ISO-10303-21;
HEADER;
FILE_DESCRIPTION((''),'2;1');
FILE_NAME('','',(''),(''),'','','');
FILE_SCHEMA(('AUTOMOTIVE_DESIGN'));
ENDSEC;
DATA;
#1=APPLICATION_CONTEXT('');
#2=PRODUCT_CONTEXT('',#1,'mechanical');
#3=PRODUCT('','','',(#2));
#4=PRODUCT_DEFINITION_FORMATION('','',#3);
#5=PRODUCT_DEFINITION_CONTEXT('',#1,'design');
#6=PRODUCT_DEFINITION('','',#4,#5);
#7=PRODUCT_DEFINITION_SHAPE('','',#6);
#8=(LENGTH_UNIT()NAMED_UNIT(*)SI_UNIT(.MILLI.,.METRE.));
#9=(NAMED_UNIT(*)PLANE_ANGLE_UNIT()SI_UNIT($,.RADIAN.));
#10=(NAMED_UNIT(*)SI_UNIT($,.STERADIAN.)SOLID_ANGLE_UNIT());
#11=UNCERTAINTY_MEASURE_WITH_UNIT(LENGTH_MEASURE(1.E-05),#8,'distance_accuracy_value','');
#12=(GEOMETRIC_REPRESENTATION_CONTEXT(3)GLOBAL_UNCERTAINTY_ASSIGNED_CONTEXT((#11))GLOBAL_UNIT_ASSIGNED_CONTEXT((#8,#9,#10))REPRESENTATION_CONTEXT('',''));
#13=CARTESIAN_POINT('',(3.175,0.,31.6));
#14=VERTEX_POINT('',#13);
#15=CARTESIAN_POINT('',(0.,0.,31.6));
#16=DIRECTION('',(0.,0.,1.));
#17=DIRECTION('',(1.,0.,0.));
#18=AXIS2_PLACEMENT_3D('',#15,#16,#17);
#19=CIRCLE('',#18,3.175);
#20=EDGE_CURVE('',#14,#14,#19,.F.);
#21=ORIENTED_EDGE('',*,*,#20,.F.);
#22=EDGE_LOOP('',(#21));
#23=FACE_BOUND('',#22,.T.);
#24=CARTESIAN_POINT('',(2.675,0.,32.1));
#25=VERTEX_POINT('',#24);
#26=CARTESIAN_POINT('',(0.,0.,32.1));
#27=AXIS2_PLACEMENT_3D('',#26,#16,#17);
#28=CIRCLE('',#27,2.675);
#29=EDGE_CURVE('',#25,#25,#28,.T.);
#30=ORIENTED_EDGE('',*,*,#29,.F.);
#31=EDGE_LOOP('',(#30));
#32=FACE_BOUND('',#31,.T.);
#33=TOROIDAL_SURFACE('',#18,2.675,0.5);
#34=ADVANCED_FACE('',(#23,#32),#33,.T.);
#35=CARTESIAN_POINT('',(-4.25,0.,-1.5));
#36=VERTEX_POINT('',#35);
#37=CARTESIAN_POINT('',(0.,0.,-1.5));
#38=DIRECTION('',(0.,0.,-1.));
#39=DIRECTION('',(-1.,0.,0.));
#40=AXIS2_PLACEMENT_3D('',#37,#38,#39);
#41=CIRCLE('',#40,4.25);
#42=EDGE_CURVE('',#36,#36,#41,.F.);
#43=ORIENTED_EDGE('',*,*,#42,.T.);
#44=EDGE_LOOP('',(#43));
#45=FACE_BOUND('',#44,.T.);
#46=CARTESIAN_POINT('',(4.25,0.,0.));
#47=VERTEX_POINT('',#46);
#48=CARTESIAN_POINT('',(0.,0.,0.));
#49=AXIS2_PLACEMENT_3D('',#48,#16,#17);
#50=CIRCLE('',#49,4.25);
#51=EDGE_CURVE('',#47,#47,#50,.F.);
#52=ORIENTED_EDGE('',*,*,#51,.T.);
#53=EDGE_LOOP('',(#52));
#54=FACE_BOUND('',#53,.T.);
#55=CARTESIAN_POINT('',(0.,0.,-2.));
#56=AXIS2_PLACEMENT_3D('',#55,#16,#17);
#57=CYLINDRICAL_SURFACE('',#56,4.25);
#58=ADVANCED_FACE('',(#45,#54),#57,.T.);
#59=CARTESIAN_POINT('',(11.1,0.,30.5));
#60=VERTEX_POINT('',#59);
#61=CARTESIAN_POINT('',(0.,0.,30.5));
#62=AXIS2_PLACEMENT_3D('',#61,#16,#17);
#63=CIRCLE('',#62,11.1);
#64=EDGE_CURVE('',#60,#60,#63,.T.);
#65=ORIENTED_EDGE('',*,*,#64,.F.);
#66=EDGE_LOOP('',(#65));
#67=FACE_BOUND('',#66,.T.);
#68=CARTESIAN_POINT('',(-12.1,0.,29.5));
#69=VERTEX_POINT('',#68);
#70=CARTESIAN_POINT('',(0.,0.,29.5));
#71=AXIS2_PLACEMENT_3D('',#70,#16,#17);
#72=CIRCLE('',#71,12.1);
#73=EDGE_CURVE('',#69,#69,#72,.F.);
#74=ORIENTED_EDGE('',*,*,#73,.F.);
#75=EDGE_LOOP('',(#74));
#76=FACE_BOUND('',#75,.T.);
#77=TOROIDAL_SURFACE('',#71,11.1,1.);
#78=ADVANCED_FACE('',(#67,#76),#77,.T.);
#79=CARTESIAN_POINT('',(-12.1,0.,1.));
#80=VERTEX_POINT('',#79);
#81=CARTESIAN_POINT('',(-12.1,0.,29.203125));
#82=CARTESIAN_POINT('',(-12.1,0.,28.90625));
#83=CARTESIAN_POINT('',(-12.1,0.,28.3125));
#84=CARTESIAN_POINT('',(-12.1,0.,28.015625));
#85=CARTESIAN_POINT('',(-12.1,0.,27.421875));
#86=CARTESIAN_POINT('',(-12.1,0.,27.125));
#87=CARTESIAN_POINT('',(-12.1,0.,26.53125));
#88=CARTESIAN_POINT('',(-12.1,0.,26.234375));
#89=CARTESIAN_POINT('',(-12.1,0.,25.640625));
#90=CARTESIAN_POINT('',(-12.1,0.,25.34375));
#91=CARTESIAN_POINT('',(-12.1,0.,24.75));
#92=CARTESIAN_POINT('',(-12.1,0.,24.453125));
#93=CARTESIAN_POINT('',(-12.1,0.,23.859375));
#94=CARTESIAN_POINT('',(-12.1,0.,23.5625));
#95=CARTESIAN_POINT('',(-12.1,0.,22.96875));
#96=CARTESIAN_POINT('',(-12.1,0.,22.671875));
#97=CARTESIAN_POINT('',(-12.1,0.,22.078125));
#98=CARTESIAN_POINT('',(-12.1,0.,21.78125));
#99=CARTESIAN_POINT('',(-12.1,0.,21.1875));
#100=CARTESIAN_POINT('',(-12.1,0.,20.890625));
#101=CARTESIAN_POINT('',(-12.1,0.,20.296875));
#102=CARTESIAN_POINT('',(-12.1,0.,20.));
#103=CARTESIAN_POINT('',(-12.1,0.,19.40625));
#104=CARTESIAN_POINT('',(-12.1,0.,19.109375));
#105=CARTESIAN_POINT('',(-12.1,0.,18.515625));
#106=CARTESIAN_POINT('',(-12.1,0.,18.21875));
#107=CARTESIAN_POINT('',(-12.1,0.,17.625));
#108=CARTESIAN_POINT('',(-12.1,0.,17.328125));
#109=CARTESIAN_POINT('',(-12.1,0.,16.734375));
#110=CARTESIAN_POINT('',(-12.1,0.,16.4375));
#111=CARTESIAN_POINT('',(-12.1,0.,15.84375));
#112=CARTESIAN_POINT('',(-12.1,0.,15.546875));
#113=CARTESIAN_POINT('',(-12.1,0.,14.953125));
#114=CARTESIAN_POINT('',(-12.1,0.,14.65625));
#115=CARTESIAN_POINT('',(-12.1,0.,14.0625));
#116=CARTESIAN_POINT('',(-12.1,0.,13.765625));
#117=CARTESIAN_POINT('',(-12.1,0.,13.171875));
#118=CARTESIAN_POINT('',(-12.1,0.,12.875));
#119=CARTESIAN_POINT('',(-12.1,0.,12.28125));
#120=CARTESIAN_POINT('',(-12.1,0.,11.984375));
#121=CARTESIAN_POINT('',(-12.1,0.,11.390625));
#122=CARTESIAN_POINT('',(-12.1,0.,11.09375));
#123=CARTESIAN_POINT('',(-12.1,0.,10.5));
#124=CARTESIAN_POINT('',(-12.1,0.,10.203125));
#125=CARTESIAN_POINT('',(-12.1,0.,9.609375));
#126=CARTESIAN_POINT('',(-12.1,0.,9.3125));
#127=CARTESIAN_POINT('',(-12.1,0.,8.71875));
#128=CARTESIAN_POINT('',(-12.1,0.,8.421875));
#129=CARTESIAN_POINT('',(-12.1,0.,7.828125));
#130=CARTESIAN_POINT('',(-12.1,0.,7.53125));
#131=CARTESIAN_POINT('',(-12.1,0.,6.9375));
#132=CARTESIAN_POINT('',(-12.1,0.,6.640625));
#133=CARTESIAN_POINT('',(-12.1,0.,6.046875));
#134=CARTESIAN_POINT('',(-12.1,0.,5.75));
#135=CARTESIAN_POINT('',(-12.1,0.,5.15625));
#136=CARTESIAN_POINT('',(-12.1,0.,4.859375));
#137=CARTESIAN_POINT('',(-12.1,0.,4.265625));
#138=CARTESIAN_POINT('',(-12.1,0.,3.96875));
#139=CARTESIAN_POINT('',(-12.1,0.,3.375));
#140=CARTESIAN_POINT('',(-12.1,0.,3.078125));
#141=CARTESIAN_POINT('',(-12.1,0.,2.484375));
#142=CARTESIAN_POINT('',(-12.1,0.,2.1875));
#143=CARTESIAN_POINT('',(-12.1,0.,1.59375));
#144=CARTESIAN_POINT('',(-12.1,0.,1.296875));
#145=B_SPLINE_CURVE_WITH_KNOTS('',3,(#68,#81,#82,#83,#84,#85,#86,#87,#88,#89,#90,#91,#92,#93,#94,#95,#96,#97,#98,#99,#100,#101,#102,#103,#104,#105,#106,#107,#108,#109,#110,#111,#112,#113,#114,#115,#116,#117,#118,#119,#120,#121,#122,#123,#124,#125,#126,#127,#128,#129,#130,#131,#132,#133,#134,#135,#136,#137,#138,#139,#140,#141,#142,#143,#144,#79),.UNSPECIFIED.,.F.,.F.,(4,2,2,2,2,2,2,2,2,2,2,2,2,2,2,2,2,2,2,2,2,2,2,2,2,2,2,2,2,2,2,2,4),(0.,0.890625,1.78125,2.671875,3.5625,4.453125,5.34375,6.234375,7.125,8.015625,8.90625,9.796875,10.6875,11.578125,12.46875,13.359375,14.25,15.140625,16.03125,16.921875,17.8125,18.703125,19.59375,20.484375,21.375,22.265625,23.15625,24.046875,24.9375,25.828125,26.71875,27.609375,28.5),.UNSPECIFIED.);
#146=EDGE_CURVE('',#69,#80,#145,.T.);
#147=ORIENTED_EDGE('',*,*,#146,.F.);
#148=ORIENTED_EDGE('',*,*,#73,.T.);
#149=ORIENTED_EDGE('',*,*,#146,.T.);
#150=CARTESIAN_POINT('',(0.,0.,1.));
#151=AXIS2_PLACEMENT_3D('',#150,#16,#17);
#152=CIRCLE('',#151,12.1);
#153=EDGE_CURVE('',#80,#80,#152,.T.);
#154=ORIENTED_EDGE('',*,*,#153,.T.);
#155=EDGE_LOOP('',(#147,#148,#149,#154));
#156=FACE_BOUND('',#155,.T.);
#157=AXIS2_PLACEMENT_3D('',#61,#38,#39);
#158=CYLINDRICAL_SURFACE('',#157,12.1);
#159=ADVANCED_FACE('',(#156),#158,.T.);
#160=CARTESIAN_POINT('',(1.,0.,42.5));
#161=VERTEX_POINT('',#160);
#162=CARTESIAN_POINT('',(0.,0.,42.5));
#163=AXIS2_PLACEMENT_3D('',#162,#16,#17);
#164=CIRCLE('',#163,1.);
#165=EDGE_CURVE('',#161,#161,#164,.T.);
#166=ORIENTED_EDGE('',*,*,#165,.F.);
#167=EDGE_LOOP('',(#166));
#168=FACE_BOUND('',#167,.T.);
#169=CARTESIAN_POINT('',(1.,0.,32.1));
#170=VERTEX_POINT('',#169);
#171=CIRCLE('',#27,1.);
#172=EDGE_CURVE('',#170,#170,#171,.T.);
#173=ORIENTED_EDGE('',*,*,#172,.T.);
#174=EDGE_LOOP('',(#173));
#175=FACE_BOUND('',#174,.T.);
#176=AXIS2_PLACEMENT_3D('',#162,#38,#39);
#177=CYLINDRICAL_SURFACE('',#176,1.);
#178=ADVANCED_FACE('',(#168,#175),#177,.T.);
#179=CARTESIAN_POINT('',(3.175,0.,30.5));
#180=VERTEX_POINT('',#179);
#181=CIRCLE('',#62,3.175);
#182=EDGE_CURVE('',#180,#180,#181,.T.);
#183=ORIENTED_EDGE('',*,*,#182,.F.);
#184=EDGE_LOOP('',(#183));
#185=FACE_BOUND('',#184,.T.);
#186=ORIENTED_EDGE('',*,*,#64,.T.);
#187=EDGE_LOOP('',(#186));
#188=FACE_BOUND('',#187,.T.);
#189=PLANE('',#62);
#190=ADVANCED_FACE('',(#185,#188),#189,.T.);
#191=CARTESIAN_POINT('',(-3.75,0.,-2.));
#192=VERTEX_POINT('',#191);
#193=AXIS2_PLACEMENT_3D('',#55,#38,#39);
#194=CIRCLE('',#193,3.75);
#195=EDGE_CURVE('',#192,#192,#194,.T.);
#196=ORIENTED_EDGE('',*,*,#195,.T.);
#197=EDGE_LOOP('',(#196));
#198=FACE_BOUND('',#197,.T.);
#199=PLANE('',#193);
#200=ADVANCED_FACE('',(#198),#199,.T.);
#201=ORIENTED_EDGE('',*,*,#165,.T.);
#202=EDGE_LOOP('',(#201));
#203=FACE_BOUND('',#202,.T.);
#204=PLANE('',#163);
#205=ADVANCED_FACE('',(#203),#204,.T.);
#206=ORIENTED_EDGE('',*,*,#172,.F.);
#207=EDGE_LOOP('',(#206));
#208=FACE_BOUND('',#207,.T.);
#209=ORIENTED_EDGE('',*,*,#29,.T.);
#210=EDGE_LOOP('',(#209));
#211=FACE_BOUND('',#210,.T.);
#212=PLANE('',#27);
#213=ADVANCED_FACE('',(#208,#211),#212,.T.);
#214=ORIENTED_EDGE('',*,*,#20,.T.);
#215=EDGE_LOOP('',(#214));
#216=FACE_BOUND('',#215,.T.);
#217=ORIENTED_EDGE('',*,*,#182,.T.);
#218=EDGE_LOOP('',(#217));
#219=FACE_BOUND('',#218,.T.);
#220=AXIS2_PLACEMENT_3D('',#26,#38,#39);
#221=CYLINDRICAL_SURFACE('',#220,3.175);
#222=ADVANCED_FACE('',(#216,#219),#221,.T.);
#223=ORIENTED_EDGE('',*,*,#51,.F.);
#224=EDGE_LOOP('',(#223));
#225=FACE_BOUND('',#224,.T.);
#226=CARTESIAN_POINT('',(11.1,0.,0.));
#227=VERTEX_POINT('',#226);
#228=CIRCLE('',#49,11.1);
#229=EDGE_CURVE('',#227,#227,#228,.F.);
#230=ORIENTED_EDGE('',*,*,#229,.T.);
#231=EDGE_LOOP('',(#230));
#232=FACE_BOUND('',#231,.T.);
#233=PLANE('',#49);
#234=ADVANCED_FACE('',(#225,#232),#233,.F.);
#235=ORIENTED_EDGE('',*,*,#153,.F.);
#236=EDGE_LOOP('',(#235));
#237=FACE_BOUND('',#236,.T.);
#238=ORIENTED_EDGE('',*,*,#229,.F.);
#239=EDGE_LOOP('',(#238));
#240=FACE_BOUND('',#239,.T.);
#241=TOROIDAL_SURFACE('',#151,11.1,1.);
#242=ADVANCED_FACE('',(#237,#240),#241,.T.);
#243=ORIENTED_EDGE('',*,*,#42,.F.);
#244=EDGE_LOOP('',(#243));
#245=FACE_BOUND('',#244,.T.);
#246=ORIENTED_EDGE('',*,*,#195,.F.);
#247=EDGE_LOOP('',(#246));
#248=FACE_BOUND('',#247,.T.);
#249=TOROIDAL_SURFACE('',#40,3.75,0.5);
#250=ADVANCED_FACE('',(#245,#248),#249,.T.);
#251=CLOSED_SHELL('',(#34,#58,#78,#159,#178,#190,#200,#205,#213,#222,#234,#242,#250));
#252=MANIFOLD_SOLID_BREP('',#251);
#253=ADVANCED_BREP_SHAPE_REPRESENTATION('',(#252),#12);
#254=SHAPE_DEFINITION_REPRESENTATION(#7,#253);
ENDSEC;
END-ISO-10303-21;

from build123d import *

# Parameters (mm, degrees)
SKETCH1_R           = 12.1
BOSS_EXTRUDE1_DEPTH = 30.5
SKETCH2_R           = 3.175
BOSS_EXTRUDE2_DEPTH = 1.6
SKETCH3_R           = 1
BOSS_EXTRUDE3_DEPTH = 10.4
SKETCH4_R           = 4.25
BOSS_EXTRUDE4_DEPTH = 2
FILLET1_R           = 1
FILLET2_R           = 0.5


with BuildPart() as part:
    # Sketch1 → Boss-Extrude1 (new body)
    with BuildSketch(Plane.XY):
        with Locations(Location((0, 0, 0), (0, 0, 180))):
            Circle(SKETCH1_R)
    extrude(amount=BOSS_EXTRUDE1_DEPTH)

    # Sketch2 → Boss-Extrude2 (add)
    with BuildSketch(Plane.XY.offset(30.5)):
        Circle(SKETCH2_R)
    extrude(amount=BOSS_EXTRUDE2_DEPTH)

    # Sketch3 → Boss-Extrude3 (add)
    with BuildSketch(Plane.XY.offset(32.1)):
        Circle(SKETCH3_R)
    extrude(amount=BOSS_EXTRUDE3_DEPTH)

    # Sketch4 → Boss-Extrude4 (add)
    with BuildSketch(Plane(origin=(0, 0, 0), x_dir=(-1, 0, 0), z_dir=(0, 0, -1))):
        with Locations(Location((0, 0, 0), (0, 0, 180))):
            Circle(SKETCH4_R)
    extrude(amount=BOSS_EXTRUDE4_DEPTH)

    # Fillet1
    fillet1_edges = [part.edges().sort_by_distance(p)[0] for p in [
        (12.1, 0, 0),
        (12.1, 0, 30.5),
    ]]
    fillet(fillet1_edges, radius=FILLET1_R)

    # Fillet2
    fillet2_edges = [part.edges().sort_by_distance(p)[0] for p in [
        (-4.25, 0, -2),
        (-3.175, 0, 32.1),
    ]]
    fillet(fillet2_edges, radius=FILLET2_R)


solid = part.part
